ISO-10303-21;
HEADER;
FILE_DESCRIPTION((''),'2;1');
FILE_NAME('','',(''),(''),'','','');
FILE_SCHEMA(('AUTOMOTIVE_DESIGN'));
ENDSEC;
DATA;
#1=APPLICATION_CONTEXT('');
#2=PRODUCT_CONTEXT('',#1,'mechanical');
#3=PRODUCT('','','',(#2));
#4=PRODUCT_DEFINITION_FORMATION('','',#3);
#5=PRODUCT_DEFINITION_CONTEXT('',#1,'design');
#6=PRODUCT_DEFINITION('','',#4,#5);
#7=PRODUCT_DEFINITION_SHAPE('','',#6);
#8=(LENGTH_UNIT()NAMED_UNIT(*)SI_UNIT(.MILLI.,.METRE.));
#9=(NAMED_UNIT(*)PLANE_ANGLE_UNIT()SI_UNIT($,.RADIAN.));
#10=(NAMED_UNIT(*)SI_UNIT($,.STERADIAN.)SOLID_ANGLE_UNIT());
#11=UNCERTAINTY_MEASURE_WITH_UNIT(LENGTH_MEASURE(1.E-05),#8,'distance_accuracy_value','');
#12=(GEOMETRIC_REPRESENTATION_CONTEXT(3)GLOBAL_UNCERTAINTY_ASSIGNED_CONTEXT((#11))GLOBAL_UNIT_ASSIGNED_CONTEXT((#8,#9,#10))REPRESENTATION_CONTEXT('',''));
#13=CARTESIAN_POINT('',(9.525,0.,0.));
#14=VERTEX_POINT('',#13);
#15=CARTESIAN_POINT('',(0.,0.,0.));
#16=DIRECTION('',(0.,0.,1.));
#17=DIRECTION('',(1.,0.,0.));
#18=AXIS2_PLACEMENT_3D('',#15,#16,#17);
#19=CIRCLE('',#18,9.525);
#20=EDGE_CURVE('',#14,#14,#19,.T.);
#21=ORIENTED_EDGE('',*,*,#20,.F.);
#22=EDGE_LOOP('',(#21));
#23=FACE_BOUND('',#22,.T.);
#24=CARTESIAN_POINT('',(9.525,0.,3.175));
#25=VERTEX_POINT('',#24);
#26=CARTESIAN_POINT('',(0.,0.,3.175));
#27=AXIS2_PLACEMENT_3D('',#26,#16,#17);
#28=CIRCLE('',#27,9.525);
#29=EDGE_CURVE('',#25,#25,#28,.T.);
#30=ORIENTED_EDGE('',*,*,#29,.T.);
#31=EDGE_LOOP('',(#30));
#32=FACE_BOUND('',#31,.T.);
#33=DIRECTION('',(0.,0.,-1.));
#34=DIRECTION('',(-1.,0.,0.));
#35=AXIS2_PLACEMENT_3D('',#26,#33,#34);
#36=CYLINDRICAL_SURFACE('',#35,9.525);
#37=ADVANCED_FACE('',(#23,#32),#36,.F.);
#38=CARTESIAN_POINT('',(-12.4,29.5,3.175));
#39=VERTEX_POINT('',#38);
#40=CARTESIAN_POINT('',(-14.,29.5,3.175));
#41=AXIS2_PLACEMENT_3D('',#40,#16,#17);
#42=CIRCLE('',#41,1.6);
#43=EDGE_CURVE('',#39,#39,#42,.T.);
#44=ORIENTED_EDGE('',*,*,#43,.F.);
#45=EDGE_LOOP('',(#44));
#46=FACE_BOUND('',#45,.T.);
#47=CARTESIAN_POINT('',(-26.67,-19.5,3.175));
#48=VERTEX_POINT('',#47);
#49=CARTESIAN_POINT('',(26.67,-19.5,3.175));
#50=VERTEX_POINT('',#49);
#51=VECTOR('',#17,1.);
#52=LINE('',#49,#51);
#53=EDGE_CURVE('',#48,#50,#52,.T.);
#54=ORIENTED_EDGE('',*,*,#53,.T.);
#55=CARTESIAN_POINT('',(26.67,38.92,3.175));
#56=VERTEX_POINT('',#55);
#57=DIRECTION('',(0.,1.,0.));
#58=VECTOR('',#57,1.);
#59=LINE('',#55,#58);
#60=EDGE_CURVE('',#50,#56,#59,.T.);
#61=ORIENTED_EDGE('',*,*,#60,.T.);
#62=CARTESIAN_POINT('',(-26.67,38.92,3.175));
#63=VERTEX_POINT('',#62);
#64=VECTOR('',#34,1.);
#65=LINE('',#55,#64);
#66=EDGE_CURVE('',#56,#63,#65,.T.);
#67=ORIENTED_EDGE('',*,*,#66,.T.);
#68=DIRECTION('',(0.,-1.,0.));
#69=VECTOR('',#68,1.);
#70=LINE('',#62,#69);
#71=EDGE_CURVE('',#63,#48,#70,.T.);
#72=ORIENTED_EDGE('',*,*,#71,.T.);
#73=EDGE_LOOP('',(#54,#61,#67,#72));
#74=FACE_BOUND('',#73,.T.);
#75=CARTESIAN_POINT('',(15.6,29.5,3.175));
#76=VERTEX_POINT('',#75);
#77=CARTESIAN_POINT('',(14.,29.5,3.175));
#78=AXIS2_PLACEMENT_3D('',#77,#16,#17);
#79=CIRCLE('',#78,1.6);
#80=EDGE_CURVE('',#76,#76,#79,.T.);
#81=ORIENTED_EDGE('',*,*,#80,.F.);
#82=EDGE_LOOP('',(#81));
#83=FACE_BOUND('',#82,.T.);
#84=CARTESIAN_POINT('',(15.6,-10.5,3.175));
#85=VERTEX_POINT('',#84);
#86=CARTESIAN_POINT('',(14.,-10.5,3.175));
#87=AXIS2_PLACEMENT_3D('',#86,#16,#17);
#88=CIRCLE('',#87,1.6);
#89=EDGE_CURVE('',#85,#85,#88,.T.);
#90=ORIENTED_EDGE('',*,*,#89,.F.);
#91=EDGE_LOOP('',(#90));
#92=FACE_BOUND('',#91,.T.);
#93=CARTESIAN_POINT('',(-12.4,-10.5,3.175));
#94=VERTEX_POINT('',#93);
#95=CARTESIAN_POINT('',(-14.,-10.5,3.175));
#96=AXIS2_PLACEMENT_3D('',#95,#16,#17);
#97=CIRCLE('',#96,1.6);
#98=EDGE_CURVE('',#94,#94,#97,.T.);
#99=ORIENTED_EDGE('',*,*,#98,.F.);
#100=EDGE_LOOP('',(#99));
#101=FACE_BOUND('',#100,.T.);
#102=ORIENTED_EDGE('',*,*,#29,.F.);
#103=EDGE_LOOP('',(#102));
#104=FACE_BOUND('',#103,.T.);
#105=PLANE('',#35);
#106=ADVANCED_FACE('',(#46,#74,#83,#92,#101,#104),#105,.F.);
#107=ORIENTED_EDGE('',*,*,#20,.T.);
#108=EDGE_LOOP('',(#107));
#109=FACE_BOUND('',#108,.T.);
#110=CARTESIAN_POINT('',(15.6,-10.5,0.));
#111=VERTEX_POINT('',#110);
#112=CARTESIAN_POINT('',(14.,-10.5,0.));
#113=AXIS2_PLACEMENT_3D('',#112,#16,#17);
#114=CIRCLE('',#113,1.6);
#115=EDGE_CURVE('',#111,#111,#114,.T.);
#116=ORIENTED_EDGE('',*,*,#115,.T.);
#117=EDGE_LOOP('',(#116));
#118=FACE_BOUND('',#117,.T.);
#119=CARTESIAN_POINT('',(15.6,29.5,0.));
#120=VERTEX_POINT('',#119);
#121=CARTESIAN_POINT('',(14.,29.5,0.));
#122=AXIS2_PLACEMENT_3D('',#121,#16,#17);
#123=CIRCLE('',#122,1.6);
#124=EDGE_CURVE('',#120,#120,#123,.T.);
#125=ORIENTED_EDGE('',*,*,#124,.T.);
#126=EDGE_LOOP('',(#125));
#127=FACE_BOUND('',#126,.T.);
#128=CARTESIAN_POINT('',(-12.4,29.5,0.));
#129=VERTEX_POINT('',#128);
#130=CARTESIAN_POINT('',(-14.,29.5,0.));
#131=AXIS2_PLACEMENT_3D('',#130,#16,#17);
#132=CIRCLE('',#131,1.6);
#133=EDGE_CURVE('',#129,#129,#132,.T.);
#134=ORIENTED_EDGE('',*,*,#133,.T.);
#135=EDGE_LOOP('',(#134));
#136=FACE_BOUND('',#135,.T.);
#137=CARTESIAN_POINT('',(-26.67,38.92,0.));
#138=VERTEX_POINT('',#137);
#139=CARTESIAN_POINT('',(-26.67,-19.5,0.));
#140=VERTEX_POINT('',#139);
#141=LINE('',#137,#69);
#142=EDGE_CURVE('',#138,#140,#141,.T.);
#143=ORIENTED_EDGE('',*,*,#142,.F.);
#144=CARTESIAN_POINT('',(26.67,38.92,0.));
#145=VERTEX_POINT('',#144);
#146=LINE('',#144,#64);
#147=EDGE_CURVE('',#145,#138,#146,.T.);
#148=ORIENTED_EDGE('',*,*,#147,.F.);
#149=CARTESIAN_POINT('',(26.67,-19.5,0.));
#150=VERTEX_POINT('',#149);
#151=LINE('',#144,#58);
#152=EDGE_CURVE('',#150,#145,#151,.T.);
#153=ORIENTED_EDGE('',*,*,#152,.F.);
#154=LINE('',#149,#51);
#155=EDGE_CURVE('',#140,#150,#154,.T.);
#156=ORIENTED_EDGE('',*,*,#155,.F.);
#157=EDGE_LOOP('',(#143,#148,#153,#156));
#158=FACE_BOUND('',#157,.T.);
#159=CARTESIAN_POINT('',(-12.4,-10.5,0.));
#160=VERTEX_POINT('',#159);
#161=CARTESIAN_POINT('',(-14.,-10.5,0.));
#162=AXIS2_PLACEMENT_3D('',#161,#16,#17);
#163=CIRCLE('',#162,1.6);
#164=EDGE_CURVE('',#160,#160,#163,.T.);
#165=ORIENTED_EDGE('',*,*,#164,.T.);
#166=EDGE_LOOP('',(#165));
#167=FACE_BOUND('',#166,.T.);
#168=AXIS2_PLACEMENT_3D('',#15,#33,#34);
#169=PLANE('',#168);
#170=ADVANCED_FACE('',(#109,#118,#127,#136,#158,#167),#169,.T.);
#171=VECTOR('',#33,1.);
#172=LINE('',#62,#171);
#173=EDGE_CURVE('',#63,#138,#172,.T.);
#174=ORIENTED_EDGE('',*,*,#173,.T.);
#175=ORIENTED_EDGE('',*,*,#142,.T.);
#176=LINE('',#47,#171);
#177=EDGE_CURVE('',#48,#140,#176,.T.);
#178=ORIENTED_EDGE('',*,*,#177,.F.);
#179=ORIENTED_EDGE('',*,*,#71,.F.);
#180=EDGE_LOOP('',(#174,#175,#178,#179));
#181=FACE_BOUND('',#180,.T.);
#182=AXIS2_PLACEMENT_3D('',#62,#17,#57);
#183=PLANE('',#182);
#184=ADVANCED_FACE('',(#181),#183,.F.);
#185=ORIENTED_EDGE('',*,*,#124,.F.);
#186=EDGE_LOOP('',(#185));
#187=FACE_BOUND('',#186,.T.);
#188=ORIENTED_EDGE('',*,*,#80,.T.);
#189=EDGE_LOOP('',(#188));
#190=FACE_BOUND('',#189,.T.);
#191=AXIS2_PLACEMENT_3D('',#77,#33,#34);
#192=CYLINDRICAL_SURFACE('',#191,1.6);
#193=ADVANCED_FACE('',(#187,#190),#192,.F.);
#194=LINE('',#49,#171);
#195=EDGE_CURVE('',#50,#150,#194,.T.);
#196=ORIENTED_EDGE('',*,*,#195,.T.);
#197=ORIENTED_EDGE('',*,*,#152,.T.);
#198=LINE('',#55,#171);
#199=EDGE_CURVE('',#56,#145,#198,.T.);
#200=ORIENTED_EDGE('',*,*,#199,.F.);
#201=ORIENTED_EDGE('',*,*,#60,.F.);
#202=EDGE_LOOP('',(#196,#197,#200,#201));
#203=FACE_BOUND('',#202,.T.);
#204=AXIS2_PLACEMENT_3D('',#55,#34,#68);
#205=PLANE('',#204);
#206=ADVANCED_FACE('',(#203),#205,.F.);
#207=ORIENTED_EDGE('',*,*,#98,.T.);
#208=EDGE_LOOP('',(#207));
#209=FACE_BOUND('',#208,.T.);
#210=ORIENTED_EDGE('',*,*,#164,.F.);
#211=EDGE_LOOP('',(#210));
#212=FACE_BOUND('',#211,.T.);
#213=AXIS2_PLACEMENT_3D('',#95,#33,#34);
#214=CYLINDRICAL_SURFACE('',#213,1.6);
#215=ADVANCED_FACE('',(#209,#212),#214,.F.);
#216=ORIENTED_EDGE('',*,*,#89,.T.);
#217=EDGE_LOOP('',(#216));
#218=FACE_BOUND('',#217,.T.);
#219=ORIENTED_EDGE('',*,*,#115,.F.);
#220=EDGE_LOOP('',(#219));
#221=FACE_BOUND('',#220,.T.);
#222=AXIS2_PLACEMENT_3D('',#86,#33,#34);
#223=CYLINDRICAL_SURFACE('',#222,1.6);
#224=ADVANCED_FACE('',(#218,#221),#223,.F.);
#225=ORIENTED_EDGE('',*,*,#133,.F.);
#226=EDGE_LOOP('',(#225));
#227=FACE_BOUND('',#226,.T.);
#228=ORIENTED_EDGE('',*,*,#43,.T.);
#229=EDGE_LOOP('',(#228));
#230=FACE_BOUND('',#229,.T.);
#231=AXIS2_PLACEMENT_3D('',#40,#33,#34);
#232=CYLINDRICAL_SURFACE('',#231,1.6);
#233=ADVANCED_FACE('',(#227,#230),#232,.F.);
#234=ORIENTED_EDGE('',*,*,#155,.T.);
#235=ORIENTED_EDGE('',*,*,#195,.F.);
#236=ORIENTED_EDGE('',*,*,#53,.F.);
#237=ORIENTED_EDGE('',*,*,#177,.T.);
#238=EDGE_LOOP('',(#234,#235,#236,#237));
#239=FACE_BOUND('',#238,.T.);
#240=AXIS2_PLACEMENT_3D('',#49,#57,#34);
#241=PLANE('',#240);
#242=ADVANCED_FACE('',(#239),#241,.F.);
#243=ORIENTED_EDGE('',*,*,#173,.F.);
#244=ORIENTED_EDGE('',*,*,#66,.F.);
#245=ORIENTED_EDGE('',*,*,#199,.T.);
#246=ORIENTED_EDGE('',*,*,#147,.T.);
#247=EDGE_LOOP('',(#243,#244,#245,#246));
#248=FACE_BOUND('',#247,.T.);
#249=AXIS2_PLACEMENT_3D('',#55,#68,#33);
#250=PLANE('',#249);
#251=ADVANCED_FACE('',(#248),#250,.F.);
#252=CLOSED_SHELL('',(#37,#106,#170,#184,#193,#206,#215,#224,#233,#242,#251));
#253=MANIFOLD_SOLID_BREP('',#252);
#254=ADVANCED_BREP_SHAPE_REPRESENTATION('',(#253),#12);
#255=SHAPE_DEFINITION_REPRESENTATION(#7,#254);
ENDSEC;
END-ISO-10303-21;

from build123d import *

# Parameters (mm, degrees)
SKETCH1_W           = 53.34
SKETCH1_H           = 58.42
SKETCH1_R           = 9.525
SKETCH1_R_2         = 1.6
BOSS_EXTRUDE1_DEPTH = 3.175


with BuildPart() as part:
    # Sketch1 → Boss-Extrude1 (new body)
    with BuildSketch(Plane.XY):
        with Locations((0, 9.71)):
            Rectangle(SKETCH1_W, SKETCH1_H)
        Circle(SKETCH1_R, mode=Mode.SUBTRACT)
        with Locations((-14, 29.5)):
            Circle(SKETCH1_R_2, mode=Mode.SUBTRACT)
        with Locations((14, 29.5)):
            Circle(SKETCH1_R_2, mode=Mode.SUBTRACT)
        with Locations((14, -10.5)):
            Circle(SKETCH1_R_2, mode=Mode.SUBTRACT)
        with Locations((-14, -10.5)):
            Circle(SKETCH1_R_2, mode=Mode.SUBTRACT)
    extrude(amount=BOSS_EXTRUDE1_DEPTH)


solid = part.part
